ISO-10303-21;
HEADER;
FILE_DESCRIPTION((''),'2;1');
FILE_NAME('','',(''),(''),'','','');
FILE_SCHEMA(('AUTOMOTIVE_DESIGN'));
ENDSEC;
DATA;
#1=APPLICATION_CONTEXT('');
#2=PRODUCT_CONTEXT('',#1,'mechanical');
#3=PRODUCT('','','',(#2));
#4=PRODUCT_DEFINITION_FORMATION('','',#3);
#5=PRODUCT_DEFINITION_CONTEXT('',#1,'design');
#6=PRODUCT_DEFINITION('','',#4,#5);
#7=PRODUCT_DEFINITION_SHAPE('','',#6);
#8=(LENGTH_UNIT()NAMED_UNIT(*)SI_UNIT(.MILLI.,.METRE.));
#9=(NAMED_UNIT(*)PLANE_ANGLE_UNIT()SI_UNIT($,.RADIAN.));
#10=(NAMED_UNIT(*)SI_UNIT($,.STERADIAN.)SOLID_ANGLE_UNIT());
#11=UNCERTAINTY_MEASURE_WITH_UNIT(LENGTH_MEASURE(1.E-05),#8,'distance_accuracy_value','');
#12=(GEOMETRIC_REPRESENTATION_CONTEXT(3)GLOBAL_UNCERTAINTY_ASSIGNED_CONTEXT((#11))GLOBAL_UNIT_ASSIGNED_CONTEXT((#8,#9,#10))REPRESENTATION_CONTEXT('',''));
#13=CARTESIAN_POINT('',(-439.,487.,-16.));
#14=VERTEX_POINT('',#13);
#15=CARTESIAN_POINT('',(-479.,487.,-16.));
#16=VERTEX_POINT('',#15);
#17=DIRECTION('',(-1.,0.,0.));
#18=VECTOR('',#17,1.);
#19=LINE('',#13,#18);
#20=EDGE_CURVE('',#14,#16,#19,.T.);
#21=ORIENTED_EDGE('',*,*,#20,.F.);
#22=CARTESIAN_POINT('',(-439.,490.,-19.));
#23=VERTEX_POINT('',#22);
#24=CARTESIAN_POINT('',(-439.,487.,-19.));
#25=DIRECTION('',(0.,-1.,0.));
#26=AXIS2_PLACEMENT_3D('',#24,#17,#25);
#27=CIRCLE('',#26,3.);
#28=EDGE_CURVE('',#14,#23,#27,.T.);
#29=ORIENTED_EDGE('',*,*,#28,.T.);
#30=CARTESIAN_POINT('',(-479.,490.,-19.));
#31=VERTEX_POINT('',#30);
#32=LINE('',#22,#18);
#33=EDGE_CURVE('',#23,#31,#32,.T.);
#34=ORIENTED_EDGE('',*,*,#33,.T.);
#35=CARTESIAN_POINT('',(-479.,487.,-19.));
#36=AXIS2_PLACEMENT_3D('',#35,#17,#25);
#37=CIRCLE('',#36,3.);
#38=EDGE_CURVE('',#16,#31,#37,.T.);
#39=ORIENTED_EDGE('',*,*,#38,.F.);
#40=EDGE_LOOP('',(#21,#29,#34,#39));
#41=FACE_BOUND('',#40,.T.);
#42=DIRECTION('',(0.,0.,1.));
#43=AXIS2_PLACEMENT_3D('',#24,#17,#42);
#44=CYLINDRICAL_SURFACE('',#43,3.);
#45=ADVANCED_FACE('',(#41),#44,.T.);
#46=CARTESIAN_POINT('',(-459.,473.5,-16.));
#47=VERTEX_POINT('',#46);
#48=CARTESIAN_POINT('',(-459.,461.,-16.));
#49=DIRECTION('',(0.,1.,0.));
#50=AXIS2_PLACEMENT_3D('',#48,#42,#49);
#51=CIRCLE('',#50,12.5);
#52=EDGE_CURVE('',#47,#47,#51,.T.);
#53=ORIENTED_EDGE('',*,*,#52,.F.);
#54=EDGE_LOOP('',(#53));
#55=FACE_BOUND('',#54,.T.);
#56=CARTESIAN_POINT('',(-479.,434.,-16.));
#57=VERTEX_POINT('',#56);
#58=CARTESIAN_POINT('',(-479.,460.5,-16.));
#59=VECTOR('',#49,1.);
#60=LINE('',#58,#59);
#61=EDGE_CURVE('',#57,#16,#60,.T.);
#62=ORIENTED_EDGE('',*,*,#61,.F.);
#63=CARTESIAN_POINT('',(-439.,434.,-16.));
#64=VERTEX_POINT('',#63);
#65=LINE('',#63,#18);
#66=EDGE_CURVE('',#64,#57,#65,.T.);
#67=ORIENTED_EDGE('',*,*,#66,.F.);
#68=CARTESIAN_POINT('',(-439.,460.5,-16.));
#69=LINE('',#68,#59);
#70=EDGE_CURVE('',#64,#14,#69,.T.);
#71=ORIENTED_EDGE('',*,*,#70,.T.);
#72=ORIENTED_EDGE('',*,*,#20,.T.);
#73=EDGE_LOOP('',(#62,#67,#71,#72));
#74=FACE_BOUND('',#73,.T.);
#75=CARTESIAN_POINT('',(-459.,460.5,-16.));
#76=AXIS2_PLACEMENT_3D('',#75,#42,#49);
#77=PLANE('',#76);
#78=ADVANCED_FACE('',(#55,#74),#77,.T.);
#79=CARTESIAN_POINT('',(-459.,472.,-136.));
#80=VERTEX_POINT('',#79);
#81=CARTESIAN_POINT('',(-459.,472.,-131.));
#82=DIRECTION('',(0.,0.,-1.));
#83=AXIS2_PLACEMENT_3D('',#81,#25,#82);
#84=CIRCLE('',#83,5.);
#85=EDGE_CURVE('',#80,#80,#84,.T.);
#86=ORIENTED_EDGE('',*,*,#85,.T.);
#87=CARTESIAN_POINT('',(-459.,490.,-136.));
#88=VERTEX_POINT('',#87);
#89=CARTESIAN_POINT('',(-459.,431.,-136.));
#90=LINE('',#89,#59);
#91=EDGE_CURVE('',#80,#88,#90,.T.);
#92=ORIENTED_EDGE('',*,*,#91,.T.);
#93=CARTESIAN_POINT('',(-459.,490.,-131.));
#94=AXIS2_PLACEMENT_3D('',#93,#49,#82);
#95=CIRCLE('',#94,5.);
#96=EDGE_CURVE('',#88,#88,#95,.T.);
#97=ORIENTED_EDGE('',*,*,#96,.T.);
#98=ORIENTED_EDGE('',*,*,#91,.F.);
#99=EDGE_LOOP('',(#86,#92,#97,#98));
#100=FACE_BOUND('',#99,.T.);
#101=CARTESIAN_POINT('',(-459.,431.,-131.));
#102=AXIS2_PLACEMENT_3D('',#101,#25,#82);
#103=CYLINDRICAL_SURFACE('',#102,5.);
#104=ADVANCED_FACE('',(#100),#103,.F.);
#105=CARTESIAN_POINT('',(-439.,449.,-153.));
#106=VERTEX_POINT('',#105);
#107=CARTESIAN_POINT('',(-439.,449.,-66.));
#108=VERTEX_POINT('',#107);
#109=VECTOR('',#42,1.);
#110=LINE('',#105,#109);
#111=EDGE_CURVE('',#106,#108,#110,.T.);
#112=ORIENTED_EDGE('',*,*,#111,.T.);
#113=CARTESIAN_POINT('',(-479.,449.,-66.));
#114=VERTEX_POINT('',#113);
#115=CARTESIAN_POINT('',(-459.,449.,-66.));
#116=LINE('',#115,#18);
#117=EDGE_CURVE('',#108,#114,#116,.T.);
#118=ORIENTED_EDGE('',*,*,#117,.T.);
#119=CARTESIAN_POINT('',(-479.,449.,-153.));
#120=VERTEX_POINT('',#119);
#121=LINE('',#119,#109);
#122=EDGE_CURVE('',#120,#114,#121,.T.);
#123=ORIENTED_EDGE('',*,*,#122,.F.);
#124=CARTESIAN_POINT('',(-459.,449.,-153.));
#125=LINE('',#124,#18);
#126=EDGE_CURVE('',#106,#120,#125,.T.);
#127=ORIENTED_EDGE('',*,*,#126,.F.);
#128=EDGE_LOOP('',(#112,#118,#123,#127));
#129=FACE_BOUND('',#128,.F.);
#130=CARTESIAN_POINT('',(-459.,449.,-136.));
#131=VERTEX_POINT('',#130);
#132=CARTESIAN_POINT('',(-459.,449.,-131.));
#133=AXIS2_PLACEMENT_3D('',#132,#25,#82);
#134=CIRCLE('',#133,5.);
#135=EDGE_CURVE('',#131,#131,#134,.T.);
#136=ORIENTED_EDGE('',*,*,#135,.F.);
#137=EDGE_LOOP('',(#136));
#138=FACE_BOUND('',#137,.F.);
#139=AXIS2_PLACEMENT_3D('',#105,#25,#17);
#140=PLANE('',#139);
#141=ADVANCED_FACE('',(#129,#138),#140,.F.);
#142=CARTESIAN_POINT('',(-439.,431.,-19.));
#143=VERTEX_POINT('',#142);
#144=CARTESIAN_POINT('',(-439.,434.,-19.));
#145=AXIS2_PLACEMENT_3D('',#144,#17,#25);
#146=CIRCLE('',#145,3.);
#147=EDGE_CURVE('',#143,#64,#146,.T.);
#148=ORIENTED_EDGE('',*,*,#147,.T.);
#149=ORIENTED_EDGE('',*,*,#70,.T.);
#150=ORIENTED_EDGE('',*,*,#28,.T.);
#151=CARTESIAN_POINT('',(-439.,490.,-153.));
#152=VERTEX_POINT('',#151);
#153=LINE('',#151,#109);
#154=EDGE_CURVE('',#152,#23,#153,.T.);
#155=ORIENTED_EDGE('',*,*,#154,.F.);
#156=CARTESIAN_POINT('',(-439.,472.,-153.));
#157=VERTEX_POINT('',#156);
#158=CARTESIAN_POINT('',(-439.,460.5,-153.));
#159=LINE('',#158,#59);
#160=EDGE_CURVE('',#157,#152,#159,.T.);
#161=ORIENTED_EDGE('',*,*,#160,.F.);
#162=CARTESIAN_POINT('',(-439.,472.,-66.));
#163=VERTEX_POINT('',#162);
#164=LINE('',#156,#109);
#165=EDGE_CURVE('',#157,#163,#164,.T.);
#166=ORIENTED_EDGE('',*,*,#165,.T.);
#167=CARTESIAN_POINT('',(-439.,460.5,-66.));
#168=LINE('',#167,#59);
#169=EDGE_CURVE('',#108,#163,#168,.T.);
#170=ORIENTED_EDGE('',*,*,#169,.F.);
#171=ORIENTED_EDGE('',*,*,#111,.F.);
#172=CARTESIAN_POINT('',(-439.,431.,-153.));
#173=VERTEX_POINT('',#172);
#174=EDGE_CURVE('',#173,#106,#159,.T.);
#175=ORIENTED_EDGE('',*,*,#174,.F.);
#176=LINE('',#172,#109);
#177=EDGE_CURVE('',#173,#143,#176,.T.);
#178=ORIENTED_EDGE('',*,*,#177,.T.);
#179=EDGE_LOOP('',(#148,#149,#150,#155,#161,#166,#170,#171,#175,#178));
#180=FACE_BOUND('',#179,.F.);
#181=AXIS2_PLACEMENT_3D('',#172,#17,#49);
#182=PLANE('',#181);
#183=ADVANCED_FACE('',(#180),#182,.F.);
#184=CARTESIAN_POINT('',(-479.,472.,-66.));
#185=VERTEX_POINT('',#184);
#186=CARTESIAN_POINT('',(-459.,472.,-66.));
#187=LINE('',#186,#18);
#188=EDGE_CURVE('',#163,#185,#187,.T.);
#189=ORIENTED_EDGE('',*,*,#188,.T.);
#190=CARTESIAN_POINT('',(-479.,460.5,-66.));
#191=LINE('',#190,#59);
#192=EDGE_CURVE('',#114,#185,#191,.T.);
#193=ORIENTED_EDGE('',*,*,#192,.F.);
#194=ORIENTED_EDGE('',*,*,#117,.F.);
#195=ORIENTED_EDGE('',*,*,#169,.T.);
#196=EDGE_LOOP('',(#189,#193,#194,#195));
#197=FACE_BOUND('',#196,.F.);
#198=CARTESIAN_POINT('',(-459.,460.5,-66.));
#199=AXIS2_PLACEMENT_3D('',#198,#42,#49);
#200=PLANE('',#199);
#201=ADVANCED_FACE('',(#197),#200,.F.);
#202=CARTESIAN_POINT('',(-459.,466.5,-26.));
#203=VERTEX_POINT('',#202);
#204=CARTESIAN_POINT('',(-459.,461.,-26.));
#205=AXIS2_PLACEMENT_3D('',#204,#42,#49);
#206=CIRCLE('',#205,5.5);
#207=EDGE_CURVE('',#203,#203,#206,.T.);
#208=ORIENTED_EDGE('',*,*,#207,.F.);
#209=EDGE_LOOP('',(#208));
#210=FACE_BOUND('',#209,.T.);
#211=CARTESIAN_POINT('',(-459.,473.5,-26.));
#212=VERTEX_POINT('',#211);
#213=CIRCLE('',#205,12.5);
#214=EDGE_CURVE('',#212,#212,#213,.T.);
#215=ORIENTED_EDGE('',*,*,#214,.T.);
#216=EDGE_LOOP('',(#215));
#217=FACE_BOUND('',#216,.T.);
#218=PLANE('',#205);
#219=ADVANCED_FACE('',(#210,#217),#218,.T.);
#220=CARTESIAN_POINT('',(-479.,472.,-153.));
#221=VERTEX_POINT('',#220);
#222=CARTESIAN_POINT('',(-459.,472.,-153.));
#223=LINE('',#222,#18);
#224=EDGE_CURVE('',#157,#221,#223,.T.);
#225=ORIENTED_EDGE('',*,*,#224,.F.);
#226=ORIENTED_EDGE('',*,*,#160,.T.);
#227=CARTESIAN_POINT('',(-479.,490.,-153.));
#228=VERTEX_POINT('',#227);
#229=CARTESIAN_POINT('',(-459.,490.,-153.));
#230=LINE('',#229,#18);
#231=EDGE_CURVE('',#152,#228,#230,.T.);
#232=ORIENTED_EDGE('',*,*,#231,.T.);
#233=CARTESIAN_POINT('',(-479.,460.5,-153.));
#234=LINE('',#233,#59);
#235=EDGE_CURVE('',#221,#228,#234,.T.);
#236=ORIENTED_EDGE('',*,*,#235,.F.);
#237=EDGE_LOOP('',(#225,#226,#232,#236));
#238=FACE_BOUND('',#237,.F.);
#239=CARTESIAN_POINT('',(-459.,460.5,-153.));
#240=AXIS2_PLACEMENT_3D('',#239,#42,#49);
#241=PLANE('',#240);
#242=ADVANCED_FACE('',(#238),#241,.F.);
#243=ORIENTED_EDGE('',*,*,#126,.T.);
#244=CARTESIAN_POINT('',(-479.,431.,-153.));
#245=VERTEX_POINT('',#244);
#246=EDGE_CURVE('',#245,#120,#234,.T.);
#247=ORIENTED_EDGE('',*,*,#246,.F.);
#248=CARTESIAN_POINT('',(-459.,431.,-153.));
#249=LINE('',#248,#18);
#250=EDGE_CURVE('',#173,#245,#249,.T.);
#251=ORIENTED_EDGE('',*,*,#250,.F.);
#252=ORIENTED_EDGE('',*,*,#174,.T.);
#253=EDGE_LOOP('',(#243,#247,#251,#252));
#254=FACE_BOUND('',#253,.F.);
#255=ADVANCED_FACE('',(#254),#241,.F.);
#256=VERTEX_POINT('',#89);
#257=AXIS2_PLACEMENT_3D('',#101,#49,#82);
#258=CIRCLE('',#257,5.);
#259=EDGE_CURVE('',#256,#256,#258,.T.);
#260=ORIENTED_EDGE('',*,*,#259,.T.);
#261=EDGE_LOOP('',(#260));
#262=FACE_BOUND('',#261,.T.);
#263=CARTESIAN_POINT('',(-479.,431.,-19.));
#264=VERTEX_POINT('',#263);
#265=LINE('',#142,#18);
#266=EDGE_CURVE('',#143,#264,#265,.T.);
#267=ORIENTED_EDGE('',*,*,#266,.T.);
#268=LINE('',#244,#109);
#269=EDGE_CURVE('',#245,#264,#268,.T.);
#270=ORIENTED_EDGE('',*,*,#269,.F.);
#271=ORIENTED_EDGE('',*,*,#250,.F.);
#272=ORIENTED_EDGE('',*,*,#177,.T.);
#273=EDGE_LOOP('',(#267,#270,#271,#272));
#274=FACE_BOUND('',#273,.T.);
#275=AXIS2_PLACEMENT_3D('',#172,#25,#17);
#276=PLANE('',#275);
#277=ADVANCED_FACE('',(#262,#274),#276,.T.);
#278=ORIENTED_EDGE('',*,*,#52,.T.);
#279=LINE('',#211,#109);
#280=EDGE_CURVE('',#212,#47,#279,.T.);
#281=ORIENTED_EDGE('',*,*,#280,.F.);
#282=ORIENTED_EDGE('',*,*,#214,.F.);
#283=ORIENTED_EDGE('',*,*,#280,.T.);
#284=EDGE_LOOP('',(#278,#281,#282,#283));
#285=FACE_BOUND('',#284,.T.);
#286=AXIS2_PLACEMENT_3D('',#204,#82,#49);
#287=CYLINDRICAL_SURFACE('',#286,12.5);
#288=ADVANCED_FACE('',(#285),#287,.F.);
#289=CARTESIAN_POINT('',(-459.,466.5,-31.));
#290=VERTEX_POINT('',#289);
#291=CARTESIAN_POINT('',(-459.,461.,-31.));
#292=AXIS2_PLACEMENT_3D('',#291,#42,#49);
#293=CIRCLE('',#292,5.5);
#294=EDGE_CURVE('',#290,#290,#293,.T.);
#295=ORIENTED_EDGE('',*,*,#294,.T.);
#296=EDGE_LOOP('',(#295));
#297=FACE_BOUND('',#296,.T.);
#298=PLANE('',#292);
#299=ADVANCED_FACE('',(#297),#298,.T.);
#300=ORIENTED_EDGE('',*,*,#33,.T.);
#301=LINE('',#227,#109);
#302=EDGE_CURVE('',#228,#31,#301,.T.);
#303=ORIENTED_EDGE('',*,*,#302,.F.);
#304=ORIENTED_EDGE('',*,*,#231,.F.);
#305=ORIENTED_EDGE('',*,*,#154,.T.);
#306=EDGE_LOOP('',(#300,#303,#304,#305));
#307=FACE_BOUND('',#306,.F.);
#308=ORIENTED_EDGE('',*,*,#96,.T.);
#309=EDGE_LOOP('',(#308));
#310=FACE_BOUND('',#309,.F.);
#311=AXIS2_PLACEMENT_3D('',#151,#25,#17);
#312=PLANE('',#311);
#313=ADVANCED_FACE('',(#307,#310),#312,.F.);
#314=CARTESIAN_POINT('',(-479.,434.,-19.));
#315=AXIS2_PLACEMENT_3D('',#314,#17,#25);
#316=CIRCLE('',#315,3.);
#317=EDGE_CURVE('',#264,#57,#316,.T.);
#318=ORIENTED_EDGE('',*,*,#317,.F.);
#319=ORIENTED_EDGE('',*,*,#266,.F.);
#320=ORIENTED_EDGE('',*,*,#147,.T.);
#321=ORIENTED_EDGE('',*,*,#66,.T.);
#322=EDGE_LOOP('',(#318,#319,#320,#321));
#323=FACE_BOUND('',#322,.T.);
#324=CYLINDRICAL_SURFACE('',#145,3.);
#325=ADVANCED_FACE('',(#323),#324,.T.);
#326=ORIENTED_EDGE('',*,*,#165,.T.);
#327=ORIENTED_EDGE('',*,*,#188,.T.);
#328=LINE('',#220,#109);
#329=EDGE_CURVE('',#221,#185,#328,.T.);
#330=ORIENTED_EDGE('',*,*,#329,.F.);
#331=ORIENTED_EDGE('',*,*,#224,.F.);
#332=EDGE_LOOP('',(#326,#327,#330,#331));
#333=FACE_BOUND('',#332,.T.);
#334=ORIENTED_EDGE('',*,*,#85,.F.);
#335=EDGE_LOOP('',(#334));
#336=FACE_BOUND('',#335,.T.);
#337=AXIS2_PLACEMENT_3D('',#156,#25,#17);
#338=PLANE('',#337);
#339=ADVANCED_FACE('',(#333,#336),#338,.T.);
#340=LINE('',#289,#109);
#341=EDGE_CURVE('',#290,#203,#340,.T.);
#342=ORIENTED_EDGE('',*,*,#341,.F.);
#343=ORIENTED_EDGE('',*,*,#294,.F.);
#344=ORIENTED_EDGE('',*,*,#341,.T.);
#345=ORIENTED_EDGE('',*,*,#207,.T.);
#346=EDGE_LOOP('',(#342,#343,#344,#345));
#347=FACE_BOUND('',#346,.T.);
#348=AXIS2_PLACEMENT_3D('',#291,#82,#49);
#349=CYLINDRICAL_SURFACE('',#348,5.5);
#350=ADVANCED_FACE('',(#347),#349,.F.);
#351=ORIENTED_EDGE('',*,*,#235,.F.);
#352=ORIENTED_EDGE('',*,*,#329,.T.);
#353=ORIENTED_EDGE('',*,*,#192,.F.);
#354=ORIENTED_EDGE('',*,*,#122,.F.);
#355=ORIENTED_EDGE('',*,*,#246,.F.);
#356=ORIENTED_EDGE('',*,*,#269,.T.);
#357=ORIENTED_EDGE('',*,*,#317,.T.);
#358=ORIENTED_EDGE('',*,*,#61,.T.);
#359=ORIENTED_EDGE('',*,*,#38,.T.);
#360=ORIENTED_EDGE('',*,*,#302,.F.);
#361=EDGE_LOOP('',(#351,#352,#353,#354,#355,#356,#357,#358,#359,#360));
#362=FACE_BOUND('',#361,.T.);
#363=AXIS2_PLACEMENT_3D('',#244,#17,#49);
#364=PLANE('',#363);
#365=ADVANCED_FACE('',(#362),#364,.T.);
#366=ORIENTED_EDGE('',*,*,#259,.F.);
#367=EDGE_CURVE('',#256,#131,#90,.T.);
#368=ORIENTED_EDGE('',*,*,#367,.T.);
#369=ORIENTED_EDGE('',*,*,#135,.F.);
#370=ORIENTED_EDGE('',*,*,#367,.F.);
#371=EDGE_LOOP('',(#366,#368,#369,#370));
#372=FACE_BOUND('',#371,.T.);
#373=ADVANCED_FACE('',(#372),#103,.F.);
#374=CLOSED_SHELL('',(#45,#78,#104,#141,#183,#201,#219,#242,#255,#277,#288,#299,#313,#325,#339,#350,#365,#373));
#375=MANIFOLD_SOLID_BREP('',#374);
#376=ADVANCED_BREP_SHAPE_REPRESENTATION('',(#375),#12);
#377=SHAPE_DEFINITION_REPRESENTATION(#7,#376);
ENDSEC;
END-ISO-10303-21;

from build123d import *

# Parameters (mm, degrees)
CYLINDER244_R           = 5.5
CYLINDER244_DEPTH       = 5
CYLINDER243_R           = 12.5
CYLINDER243_DEPTH       = 10
CYLINDER242_R           = 5
CYLINDER242_DEPTH       = 59
CYLINDER242_PITCH_ANGLE = 90
BOX124_W                = 23
BOX124_H                = 40
BOX124_DEPTH            = 87
BOX123_W                = 59
BOX123_H                = 40
BOX123_DEPTH            = 137
CUT269_PLACEMENT_ANGLE  = 90
FILLET_R                = 3


with BuildPart() as cilindro139:
    # Cylinder244 → Cylinder244 (new body)
    with BuildSketch(Plane(origin=(30, 15, 122), x_dir=(1, 0, 0), z_dir=(0, 0, 1))):
        Circle(CYLINDER244_R)
    extrude(amount=CYLINDER244_DEPTH)


with BuildPart() as cilindro138:
    # Cylinder243 → Cylinder243 (new body)
    with BuildSketch(Plane(origin=(30, 15, 127), x_dir=(1, 0, 0), z_dir=(0, 0, 1))):
        Circle(CYLINDER243_R)
    extrude(amount=CYLINDER243_DEPTH)


with BuildPart() as cilindro137:
    # Cylinder242 → Cylinder242 (new body)
    with BuildSketch(Plane.XY):
        Circle(CYLINDER242_R)
    extrude(amount=CYLINDER242_DEPTH)


with BuildPart() as cilindro137_1:
    # Cylinder242 pitch: moved
    add(cilindro137.part.rotate(Axis((0, 0, 0), (0, 1, 0)), CYLINDER242_PITCH_ANGLE))


with BuildPart() as cilindro137_2:
    # Cylinder242 placement: moved
    add(cilindro137_1.part.moved(Location((0, 15, 22))))


with BuildPart() as cubo086:
    # Box124 → Box124 (new body)
    with BuildSketch(Plane(origin=(18, -5, 0), x_dir=(1, 0, 0), z_dir=(0, 0, 1))):
        with Locations((11.5, 20)):
            Rectangle(BOX124_W, BOX124_H)
    extrude(amount=BOX124_DEPTH)


with BuildPart() as fillet_body:
    # Box123 → Box123 (new body)
    with BuildSketch(Plane(origin=(0, -5, 0), x_dir=(1, 0, 0), z_dir=(0, 0, 1))):
        with Locations((29.5, 20)):
            Rectangle(BOX123_W, BOX123_H)
    extrude(amount=BOX123_DEPTH)

    # Cut266: cut Cubo086
    add(cubo086.part, mode=Mode.SUBTRACT)

    # Cut267: cut Cilindro137
    add(cilindro137_2.part, mode=Mode.SUBTRACT)

    # Cut268: cut Cilindro138
    add(cilindro138.part, mode=Mode.SUBTRACT)

    # Cut269: cut Cilindro139
    add(cilindro139.part, mode=Mode.SUBTRACT)


with BuildPart() as fillet_body_1:
    # Cut269 placement: moved
    add(fillet_body.part.moved(Location((-444, 431, -153))).rotate(Axis((-444, 431, -153), (0, 0, 1)), CUT269_PLACEMENT_ANGLE))

    # Fillet
    fillet_edges = [fillet_body_1.edges().sort_by_distance(p)[0] for p in [
        (-459, 431, -16),
        (-459, 490, -16),
    ]]
    fillet(fillet_edges, radius=FILLET_R)


solid = fillet_body_1.part
